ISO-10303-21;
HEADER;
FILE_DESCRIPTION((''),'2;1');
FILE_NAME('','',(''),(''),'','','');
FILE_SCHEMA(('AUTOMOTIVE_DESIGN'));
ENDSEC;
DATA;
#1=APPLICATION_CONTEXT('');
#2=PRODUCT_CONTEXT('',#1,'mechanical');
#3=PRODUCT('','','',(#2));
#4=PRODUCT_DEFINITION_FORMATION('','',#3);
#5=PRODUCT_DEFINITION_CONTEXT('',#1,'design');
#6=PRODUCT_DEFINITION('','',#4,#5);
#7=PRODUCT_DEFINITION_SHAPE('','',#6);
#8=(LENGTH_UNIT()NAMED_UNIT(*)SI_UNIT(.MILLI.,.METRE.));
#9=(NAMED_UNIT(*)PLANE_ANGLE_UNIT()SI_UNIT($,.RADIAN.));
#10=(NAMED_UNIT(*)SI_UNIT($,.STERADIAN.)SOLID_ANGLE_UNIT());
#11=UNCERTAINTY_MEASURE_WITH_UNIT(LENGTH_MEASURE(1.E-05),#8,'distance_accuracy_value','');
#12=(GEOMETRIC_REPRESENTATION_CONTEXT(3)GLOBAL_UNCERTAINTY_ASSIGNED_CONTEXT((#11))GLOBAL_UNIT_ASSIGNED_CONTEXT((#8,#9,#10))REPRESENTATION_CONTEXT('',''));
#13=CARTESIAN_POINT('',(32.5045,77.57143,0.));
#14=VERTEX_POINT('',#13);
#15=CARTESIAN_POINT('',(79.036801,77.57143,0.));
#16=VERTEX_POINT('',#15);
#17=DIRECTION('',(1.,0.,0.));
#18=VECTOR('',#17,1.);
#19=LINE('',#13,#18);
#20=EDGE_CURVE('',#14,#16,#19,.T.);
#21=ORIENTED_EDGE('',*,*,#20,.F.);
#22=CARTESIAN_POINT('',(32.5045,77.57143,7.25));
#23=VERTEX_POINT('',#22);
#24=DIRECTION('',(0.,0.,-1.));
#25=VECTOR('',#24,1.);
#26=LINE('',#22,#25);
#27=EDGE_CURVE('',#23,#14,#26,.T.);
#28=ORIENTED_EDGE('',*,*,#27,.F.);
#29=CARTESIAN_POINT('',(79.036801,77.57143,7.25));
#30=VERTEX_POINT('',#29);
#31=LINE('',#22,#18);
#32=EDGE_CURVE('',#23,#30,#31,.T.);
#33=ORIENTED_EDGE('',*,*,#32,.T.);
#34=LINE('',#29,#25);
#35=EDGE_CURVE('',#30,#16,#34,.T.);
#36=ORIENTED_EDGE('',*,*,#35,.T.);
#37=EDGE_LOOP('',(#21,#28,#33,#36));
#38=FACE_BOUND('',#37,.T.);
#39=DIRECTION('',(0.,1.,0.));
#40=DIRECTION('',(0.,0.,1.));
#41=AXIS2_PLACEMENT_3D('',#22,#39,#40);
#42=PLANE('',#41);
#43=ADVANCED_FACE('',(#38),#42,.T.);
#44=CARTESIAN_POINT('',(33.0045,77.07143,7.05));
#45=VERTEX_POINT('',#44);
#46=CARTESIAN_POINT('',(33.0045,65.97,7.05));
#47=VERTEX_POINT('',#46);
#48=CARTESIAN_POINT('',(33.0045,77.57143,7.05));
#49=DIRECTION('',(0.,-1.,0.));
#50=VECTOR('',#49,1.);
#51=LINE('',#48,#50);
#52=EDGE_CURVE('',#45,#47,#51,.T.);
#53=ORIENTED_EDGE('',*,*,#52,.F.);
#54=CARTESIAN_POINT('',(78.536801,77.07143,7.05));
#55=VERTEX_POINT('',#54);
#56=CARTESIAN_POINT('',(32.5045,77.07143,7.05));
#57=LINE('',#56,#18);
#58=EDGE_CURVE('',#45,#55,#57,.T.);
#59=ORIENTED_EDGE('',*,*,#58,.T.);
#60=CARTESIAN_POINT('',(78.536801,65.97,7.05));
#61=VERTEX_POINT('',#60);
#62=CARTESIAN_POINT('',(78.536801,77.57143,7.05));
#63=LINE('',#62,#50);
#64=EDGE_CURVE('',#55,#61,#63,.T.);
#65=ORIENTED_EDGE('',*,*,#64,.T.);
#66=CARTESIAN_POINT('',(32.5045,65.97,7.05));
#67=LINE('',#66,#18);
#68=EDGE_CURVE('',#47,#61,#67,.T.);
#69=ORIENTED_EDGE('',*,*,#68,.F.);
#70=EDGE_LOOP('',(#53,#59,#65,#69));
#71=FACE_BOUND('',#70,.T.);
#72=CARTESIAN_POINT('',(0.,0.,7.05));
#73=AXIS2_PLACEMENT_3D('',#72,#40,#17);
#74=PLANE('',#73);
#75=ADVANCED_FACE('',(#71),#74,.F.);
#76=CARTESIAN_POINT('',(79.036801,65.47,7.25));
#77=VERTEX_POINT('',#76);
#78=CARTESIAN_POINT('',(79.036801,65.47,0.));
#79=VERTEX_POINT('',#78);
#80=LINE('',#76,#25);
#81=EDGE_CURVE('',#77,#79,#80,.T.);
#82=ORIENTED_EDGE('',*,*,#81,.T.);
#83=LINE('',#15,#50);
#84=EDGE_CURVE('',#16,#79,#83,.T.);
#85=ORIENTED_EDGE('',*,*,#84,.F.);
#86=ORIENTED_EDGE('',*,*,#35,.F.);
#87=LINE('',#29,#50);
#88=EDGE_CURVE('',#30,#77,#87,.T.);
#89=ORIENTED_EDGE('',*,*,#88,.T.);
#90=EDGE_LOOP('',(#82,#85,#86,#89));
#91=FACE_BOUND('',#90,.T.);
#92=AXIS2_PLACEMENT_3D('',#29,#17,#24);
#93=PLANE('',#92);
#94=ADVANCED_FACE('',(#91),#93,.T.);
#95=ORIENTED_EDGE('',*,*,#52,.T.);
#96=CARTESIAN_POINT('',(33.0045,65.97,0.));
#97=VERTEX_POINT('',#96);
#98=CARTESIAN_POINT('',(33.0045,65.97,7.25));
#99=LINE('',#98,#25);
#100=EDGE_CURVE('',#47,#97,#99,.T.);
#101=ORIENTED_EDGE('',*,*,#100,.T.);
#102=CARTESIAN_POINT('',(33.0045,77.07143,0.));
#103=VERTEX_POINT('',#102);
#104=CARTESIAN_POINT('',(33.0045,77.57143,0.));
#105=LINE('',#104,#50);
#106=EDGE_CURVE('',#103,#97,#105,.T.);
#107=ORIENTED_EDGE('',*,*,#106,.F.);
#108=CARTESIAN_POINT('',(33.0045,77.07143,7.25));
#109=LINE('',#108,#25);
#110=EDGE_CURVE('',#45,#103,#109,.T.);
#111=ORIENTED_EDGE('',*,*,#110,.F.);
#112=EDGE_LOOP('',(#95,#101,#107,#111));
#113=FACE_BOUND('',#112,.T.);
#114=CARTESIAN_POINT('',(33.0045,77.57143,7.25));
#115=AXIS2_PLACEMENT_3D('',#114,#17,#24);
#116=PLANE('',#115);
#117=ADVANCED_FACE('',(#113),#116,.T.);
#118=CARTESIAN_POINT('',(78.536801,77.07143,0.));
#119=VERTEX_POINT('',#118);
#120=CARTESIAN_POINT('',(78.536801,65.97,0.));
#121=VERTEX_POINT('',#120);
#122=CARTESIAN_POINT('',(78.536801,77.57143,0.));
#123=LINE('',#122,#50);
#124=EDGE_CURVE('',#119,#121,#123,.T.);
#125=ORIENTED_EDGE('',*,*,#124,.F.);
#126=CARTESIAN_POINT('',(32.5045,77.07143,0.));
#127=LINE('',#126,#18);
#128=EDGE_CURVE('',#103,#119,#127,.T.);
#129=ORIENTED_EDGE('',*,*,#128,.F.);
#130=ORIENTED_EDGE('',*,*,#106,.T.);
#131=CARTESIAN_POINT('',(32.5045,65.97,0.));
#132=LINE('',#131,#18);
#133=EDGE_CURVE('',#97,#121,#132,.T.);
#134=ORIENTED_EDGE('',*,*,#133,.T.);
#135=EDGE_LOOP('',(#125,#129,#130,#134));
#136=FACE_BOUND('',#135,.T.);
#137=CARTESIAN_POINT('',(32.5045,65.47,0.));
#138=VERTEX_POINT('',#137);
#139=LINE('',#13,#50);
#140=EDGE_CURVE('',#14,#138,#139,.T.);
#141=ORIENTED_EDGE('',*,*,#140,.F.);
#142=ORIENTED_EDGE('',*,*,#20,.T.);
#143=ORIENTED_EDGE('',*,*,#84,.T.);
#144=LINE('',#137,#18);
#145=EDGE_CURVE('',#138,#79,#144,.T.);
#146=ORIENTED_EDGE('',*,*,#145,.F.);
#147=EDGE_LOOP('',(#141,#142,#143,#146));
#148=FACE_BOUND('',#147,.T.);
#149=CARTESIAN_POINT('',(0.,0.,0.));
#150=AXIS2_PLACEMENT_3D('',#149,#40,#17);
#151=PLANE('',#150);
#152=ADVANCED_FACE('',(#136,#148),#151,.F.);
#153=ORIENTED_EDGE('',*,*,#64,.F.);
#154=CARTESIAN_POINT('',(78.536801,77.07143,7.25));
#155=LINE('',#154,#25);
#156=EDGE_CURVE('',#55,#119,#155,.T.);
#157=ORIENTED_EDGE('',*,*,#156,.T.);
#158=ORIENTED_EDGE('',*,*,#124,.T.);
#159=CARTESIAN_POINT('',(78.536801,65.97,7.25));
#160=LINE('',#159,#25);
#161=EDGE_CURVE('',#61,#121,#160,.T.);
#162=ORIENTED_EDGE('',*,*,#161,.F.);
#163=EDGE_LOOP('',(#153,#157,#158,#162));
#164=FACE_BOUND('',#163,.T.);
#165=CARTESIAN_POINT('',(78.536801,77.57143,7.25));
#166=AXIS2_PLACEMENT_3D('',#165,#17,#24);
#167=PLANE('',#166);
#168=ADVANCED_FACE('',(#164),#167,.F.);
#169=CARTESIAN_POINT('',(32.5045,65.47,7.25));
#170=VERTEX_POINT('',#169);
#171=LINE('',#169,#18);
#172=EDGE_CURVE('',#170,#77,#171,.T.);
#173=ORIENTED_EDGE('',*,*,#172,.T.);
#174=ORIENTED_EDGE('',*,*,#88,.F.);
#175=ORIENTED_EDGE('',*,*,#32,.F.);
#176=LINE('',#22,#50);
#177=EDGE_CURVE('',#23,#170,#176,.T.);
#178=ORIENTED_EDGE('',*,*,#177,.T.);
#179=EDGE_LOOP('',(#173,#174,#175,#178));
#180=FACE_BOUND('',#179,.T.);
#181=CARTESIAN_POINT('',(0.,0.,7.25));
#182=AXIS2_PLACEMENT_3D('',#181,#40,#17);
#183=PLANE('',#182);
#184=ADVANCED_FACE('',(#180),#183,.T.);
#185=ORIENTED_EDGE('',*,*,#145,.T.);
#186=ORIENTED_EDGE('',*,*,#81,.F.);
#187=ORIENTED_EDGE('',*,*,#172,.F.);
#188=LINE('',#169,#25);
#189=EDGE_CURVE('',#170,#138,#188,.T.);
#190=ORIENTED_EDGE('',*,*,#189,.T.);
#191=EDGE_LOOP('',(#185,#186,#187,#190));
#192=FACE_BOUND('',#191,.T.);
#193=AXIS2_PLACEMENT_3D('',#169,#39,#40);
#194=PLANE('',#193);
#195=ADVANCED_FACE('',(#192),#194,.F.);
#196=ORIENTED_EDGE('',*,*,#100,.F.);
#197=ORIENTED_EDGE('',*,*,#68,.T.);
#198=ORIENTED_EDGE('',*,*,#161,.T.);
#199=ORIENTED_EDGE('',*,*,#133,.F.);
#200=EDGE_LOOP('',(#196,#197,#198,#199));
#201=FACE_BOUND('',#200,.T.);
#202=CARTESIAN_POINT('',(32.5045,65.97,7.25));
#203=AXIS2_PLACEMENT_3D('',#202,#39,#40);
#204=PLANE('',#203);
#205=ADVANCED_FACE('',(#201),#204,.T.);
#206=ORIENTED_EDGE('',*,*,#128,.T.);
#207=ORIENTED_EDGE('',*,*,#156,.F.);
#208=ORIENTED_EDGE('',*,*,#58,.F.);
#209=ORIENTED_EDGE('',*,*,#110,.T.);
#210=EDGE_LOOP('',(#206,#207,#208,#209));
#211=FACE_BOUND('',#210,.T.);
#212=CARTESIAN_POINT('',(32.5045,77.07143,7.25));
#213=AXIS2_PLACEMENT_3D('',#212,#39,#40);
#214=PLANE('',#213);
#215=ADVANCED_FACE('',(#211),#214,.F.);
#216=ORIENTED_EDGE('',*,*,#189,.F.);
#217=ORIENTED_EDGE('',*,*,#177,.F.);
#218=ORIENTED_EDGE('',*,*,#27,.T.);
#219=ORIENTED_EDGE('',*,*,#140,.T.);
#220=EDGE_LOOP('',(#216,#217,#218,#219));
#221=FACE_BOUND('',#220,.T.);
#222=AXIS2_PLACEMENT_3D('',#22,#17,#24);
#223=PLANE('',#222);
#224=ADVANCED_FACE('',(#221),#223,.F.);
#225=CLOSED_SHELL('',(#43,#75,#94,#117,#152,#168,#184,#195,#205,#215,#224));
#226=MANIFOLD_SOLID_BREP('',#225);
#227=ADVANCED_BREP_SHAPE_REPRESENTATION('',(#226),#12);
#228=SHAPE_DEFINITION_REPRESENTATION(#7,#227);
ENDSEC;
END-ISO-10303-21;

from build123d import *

# Parameters (mm, degrees)
SKETCH1_W                 = 46.53230149
SKETCH1_H                 = 12.101430126
BOSS_EXTRUDE1_DEPTH       = 7.25
SHELL1_T                  = -0.5
SHELL1_THICKNESS_2_FACE_W = 45.53230149
SHELL1_THICKNESS_2_FACE_H = 11.101430126
SHELL1_THICKNESS_2_DEPTH  = 0.3


with BuildPart() as part:
    # Sketch1 → Boss-Extrude1 (new body)
    with BuildSketch(Plane.XY):
        with Locations((55.770650745, 71.520715063)):
            Rectangle(SKETCH1_W, SKETCH1_H)
    extrude(amount=BOSS_EXTRUDE1_DEPTH)

    # Shell1
    shell1_openings = [part.faces().sort_by_distance(p)[0] for p in [
        (55.770650745, 71.520715063, 0),
    ]]
    offset(amount=SHELL1_T, openings=shell1_openings, kind=Kind.INTERSECTION)

    # Shell1 thickness 2 face (on inner face of the shell) → Shell1 thickness 2 (cut)
    with BuildSketch(Plane(origin=(55.770650745, 71.520715063, 6.75), x_dir=(1, 0, 0), z_dir=(0, 0, 1))):
        Rectangle(SHELL1_THICKNESS_2_FACE_W, SHELL1_THICKNESS_2_FACE_H)
    extrude(amount=SHELL1_THICKNESS_2_DEPTH, mode=Mode.SUBTRACT)


solid = part.part
